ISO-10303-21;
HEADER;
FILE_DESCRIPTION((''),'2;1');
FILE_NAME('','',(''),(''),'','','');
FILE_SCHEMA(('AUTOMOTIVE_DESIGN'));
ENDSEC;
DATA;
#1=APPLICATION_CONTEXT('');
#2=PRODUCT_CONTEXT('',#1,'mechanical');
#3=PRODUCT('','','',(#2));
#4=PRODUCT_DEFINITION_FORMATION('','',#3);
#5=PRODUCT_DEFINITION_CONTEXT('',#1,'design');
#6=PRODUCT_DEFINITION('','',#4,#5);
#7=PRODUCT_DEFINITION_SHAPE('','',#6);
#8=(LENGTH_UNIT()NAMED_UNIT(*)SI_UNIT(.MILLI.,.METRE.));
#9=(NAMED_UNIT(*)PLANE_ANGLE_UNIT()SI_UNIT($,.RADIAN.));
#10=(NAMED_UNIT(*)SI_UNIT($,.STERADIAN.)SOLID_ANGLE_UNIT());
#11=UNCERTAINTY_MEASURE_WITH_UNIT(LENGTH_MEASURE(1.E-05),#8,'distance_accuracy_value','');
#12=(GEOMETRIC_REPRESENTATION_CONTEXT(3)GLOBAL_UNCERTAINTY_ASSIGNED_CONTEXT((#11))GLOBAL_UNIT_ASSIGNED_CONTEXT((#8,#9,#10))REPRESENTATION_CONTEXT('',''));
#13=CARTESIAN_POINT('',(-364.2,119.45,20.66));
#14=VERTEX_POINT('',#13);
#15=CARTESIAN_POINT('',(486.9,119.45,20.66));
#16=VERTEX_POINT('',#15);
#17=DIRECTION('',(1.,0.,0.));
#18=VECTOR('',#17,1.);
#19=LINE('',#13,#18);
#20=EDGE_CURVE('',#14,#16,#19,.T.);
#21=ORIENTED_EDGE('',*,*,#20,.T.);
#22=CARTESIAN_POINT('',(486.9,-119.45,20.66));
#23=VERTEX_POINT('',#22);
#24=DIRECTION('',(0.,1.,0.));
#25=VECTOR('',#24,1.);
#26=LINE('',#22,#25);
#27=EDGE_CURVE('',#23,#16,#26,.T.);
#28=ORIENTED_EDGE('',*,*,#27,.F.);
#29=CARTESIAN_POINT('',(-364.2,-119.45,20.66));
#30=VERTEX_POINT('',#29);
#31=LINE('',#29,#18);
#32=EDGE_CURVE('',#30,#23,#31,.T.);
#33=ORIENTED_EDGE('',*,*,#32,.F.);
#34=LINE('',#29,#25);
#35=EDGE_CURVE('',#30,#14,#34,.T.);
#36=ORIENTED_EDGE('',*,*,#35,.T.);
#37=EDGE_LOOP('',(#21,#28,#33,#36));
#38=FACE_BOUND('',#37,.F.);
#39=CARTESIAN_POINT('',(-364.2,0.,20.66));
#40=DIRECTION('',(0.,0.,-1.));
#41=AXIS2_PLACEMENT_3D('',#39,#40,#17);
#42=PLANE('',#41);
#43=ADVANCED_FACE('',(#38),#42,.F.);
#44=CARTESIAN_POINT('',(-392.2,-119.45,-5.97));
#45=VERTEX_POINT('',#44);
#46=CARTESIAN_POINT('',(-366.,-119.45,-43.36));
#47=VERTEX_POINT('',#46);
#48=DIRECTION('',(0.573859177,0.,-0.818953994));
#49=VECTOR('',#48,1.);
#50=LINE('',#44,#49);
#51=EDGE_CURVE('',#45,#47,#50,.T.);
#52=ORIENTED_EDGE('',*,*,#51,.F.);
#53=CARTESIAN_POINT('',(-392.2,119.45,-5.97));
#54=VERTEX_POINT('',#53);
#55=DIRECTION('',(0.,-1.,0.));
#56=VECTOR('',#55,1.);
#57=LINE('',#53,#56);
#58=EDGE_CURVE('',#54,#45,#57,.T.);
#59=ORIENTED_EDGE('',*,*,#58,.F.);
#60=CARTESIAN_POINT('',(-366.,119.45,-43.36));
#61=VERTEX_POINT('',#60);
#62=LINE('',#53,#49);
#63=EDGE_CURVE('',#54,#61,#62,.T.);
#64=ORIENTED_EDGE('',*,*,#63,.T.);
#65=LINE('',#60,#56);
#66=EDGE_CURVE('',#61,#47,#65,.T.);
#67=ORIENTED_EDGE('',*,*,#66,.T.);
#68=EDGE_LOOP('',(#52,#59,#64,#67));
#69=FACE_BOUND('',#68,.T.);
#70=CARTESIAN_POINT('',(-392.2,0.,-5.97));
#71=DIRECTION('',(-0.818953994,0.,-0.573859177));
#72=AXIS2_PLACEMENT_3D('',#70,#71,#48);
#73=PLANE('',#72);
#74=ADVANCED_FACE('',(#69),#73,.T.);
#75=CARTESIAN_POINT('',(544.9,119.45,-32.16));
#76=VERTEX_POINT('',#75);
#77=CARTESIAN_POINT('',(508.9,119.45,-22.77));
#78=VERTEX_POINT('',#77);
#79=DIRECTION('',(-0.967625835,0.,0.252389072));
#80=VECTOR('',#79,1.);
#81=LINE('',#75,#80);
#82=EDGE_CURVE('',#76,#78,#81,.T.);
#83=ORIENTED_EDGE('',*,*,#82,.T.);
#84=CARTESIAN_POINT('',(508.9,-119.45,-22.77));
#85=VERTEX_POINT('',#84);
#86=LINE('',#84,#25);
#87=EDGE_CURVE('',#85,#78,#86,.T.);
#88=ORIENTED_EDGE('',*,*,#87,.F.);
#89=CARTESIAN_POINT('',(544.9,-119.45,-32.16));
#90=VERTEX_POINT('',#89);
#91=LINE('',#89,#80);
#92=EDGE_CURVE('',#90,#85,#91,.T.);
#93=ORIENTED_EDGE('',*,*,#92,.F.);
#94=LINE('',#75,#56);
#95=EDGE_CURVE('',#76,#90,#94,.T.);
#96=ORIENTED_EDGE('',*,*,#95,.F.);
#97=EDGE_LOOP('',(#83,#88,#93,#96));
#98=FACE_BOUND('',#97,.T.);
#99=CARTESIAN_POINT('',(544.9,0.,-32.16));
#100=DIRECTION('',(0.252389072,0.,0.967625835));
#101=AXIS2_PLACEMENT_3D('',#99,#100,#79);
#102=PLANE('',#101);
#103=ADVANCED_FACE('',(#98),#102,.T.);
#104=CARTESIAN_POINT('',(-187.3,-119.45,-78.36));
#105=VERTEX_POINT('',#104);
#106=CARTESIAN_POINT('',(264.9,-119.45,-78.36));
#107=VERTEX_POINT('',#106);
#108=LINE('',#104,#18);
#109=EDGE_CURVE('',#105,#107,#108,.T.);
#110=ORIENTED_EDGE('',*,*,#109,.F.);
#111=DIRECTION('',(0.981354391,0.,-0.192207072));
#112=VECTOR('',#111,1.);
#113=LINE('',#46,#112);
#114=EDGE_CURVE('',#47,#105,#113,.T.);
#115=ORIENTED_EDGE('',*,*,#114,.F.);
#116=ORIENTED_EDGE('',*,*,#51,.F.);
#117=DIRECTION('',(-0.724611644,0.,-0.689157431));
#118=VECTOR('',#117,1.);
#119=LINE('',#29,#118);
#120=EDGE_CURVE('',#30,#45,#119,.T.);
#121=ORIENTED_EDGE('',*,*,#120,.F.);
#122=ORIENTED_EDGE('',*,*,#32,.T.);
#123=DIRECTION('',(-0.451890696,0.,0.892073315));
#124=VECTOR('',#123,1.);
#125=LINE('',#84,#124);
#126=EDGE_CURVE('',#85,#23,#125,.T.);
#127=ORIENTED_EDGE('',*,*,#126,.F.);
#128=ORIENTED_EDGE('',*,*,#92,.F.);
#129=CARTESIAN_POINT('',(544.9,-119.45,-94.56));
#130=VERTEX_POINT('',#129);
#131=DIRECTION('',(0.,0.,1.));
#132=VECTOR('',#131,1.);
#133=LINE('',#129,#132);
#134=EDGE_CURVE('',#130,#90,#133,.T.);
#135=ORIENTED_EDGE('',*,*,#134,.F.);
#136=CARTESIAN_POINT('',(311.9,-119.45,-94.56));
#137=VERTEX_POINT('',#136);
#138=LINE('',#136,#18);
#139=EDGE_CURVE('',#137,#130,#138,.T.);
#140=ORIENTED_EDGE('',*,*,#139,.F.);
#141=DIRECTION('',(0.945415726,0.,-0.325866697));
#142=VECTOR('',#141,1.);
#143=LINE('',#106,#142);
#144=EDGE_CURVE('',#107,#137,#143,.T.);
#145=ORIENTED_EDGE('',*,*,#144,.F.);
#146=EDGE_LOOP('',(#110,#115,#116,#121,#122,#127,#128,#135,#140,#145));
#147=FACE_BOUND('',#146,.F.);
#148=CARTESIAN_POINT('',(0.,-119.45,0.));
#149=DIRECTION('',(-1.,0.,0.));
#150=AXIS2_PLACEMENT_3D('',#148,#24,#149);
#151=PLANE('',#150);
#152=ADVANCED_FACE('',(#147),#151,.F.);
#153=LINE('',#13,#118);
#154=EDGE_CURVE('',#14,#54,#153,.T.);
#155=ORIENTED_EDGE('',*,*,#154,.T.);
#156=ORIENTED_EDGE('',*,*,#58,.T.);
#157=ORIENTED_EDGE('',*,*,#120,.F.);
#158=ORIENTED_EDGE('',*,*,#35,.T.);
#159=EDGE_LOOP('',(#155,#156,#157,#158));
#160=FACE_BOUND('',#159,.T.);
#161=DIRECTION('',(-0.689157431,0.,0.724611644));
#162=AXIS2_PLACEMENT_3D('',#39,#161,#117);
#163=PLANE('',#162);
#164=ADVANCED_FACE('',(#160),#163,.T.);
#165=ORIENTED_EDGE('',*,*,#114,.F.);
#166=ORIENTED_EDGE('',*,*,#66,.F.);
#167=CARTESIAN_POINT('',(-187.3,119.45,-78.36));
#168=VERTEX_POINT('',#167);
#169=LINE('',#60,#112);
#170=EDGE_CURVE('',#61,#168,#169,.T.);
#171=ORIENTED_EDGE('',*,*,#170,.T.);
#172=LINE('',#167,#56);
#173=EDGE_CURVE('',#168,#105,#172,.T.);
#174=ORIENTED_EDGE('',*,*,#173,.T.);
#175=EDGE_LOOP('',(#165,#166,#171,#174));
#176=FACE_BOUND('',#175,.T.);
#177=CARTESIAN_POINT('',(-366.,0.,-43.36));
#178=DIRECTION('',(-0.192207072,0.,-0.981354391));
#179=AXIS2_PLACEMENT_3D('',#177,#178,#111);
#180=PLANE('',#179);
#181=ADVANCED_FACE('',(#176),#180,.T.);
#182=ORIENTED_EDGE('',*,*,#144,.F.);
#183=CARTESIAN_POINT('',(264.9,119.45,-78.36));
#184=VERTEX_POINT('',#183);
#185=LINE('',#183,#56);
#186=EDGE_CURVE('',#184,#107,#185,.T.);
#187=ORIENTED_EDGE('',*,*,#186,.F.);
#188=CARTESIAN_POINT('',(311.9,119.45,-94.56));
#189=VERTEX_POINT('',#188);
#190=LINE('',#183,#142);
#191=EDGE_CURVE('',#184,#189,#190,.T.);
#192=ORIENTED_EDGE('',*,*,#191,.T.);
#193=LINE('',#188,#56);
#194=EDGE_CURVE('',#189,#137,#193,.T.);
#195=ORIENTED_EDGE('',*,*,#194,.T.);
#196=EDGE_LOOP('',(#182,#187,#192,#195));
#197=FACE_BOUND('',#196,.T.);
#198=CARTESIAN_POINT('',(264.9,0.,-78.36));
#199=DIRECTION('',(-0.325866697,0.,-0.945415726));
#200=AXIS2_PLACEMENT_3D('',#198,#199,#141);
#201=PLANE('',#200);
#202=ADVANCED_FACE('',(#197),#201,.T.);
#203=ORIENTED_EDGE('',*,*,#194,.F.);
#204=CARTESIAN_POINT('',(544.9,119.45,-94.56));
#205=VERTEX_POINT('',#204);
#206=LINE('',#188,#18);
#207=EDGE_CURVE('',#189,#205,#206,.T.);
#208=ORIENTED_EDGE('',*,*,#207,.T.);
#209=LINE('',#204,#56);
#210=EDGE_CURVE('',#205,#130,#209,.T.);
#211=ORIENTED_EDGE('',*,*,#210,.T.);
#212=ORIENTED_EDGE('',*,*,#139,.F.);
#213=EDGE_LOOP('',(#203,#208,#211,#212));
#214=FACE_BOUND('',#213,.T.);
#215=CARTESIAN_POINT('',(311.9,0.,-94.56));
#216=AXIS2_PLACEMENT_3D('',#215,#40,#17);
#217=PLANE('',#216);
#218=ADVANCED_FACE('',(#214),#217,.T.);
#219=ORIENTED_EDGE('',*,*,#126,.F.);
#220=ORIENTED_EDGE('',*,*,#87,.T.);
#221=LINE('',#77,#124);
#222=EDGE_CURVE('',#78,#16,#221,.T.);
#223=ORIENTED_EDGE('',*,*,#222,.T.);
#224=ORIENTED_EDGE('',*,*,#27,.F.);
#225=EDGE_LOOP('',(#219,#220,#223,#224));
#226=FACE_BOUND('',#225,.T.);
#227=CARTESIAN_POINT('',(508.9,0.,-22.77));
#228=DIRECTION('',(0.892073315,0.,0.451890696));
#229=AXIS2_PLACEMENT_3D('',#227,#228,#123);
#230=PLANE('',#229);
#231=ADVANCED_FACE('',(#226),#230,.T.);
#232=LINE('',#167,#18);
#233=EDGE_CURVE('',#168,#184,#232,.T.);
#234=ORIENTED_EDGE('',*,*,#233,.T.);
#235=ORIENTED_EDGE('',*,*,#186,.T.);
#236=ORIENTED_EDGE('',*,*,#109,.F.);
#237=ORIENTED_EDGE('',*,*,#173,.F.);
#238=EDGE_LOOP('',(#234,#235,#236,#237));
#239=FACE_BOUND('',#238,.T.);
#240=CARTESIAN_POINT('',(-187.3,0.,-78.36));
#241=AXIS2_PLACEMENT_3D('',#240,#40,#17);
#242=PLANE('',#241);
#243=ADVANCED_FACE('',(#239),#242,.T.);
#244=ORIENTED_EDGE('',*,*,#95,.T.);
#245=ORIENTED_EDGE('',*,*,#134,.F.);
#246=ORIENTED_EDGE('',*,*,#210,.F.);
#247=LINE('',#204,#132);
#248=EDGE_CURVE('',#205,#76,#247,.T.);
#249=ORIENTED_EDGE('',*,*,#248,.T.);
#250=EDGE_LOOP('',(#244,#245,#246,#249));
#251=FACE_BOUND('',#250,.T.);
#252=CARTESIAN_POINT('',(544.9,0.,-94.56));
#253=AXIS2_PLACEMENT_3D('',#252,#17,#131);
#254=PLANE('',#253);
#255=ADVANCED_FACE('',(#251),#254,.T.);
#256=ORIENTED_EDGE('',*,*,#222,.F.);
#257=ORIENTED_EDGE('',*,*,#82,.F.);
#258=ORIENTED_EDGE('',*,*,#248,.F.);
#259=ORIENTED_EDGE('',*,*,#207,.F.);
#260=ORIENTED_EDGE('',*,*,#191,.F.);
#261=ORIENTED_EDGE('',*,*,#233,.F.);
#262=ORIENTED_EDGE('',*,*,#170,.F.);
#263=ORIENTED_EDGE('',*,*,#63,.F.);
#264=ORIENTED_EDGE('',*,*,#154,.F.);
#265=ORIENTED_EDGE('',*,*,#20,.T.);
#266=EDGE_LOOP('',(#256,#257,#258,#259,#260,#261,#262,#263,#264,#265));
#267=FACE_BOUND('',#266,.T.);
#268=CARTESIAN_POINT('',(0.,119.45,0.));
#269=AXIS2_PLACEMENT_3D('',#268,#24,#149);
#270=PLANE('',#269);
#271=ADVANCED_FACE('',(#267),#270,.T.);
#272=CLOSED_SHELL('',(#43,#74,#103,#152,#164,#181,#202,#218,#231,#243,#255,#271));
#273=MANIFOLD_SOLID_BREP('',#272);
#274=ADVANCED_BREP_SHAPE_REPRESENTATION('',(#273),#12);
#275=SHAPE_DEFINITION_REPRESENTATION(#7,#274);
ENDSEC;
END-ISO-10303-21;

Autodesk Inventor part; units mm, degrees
ref_plane "YZ Plane" through (0, 0, 0) normal (1, 0, 0) x (0, 1, 0)
ref_plane "XZ Plane" through (0, 0, 0) normal (0, 1, 0) x (-1, 0, 0)
ref_plane "XY Plane" through (0, 0, 0) normal (0, 0, 1) x (1, 0, 0)
sketch "Sketch1" plane through (0, 0, 0) normal (0, 1, 0) x (-1, 0, 0)
  line L0 (364.2, 20.66) -> (392.2, -5.97)
  line L1 (392.2, -5.97) -> (366, -43.36)
  line L2 (366, -43.36) -> (187.3, -78.36)
  line L3 (187.3, -78.36) -> (-264.9, -78.36)
  line L4 (-264.9, -78.36) -> (-311.9, -94.56)
  line L5 (-311.9, -94.56) -> (-544.9, -94.56)
  line L6 (-544.9, -94.56) -> (-544.9, -32.16)
  line L7 (-544.9, -32.16) -> (-508.9, -22.77)
  line L8 (-508.9, -22.77) -> (-486.9, 20.66)
  line L9 (364.2, 20.66) -> (-486.9, 20.66)
  point P0 (0, 0)
  dimension "d0" = 20.66
  dimension "d1" = 5.97
  dimension "d2" = 43.36
  dimension "d3" = 78.36
  dimension "d4" = 78.36
  dimension "d5" = 94.56
  dimension "d6" = 94.56
  dimension "d7" = 32.16
  dimension "d8" = 22.77
  dimension "d9" = 20.66
  dimension "d10" = 364.2
  dimension "d11" = 392.2
  dimension "d12" = 366
  dimension "d13" = 187.3
  dimension "d14" = 264.9
  dimension "d15" = 311.9
  dimension "d16" = 544.9
  dimension "d17" = 544.9
  dimension "d18" = 508.9
  dimension "d19" = 486.9
extrude "Extrusion1" add sketch "Sketch1" along normal mid plane 238.9
properties part number "Friend_hull_collision"
